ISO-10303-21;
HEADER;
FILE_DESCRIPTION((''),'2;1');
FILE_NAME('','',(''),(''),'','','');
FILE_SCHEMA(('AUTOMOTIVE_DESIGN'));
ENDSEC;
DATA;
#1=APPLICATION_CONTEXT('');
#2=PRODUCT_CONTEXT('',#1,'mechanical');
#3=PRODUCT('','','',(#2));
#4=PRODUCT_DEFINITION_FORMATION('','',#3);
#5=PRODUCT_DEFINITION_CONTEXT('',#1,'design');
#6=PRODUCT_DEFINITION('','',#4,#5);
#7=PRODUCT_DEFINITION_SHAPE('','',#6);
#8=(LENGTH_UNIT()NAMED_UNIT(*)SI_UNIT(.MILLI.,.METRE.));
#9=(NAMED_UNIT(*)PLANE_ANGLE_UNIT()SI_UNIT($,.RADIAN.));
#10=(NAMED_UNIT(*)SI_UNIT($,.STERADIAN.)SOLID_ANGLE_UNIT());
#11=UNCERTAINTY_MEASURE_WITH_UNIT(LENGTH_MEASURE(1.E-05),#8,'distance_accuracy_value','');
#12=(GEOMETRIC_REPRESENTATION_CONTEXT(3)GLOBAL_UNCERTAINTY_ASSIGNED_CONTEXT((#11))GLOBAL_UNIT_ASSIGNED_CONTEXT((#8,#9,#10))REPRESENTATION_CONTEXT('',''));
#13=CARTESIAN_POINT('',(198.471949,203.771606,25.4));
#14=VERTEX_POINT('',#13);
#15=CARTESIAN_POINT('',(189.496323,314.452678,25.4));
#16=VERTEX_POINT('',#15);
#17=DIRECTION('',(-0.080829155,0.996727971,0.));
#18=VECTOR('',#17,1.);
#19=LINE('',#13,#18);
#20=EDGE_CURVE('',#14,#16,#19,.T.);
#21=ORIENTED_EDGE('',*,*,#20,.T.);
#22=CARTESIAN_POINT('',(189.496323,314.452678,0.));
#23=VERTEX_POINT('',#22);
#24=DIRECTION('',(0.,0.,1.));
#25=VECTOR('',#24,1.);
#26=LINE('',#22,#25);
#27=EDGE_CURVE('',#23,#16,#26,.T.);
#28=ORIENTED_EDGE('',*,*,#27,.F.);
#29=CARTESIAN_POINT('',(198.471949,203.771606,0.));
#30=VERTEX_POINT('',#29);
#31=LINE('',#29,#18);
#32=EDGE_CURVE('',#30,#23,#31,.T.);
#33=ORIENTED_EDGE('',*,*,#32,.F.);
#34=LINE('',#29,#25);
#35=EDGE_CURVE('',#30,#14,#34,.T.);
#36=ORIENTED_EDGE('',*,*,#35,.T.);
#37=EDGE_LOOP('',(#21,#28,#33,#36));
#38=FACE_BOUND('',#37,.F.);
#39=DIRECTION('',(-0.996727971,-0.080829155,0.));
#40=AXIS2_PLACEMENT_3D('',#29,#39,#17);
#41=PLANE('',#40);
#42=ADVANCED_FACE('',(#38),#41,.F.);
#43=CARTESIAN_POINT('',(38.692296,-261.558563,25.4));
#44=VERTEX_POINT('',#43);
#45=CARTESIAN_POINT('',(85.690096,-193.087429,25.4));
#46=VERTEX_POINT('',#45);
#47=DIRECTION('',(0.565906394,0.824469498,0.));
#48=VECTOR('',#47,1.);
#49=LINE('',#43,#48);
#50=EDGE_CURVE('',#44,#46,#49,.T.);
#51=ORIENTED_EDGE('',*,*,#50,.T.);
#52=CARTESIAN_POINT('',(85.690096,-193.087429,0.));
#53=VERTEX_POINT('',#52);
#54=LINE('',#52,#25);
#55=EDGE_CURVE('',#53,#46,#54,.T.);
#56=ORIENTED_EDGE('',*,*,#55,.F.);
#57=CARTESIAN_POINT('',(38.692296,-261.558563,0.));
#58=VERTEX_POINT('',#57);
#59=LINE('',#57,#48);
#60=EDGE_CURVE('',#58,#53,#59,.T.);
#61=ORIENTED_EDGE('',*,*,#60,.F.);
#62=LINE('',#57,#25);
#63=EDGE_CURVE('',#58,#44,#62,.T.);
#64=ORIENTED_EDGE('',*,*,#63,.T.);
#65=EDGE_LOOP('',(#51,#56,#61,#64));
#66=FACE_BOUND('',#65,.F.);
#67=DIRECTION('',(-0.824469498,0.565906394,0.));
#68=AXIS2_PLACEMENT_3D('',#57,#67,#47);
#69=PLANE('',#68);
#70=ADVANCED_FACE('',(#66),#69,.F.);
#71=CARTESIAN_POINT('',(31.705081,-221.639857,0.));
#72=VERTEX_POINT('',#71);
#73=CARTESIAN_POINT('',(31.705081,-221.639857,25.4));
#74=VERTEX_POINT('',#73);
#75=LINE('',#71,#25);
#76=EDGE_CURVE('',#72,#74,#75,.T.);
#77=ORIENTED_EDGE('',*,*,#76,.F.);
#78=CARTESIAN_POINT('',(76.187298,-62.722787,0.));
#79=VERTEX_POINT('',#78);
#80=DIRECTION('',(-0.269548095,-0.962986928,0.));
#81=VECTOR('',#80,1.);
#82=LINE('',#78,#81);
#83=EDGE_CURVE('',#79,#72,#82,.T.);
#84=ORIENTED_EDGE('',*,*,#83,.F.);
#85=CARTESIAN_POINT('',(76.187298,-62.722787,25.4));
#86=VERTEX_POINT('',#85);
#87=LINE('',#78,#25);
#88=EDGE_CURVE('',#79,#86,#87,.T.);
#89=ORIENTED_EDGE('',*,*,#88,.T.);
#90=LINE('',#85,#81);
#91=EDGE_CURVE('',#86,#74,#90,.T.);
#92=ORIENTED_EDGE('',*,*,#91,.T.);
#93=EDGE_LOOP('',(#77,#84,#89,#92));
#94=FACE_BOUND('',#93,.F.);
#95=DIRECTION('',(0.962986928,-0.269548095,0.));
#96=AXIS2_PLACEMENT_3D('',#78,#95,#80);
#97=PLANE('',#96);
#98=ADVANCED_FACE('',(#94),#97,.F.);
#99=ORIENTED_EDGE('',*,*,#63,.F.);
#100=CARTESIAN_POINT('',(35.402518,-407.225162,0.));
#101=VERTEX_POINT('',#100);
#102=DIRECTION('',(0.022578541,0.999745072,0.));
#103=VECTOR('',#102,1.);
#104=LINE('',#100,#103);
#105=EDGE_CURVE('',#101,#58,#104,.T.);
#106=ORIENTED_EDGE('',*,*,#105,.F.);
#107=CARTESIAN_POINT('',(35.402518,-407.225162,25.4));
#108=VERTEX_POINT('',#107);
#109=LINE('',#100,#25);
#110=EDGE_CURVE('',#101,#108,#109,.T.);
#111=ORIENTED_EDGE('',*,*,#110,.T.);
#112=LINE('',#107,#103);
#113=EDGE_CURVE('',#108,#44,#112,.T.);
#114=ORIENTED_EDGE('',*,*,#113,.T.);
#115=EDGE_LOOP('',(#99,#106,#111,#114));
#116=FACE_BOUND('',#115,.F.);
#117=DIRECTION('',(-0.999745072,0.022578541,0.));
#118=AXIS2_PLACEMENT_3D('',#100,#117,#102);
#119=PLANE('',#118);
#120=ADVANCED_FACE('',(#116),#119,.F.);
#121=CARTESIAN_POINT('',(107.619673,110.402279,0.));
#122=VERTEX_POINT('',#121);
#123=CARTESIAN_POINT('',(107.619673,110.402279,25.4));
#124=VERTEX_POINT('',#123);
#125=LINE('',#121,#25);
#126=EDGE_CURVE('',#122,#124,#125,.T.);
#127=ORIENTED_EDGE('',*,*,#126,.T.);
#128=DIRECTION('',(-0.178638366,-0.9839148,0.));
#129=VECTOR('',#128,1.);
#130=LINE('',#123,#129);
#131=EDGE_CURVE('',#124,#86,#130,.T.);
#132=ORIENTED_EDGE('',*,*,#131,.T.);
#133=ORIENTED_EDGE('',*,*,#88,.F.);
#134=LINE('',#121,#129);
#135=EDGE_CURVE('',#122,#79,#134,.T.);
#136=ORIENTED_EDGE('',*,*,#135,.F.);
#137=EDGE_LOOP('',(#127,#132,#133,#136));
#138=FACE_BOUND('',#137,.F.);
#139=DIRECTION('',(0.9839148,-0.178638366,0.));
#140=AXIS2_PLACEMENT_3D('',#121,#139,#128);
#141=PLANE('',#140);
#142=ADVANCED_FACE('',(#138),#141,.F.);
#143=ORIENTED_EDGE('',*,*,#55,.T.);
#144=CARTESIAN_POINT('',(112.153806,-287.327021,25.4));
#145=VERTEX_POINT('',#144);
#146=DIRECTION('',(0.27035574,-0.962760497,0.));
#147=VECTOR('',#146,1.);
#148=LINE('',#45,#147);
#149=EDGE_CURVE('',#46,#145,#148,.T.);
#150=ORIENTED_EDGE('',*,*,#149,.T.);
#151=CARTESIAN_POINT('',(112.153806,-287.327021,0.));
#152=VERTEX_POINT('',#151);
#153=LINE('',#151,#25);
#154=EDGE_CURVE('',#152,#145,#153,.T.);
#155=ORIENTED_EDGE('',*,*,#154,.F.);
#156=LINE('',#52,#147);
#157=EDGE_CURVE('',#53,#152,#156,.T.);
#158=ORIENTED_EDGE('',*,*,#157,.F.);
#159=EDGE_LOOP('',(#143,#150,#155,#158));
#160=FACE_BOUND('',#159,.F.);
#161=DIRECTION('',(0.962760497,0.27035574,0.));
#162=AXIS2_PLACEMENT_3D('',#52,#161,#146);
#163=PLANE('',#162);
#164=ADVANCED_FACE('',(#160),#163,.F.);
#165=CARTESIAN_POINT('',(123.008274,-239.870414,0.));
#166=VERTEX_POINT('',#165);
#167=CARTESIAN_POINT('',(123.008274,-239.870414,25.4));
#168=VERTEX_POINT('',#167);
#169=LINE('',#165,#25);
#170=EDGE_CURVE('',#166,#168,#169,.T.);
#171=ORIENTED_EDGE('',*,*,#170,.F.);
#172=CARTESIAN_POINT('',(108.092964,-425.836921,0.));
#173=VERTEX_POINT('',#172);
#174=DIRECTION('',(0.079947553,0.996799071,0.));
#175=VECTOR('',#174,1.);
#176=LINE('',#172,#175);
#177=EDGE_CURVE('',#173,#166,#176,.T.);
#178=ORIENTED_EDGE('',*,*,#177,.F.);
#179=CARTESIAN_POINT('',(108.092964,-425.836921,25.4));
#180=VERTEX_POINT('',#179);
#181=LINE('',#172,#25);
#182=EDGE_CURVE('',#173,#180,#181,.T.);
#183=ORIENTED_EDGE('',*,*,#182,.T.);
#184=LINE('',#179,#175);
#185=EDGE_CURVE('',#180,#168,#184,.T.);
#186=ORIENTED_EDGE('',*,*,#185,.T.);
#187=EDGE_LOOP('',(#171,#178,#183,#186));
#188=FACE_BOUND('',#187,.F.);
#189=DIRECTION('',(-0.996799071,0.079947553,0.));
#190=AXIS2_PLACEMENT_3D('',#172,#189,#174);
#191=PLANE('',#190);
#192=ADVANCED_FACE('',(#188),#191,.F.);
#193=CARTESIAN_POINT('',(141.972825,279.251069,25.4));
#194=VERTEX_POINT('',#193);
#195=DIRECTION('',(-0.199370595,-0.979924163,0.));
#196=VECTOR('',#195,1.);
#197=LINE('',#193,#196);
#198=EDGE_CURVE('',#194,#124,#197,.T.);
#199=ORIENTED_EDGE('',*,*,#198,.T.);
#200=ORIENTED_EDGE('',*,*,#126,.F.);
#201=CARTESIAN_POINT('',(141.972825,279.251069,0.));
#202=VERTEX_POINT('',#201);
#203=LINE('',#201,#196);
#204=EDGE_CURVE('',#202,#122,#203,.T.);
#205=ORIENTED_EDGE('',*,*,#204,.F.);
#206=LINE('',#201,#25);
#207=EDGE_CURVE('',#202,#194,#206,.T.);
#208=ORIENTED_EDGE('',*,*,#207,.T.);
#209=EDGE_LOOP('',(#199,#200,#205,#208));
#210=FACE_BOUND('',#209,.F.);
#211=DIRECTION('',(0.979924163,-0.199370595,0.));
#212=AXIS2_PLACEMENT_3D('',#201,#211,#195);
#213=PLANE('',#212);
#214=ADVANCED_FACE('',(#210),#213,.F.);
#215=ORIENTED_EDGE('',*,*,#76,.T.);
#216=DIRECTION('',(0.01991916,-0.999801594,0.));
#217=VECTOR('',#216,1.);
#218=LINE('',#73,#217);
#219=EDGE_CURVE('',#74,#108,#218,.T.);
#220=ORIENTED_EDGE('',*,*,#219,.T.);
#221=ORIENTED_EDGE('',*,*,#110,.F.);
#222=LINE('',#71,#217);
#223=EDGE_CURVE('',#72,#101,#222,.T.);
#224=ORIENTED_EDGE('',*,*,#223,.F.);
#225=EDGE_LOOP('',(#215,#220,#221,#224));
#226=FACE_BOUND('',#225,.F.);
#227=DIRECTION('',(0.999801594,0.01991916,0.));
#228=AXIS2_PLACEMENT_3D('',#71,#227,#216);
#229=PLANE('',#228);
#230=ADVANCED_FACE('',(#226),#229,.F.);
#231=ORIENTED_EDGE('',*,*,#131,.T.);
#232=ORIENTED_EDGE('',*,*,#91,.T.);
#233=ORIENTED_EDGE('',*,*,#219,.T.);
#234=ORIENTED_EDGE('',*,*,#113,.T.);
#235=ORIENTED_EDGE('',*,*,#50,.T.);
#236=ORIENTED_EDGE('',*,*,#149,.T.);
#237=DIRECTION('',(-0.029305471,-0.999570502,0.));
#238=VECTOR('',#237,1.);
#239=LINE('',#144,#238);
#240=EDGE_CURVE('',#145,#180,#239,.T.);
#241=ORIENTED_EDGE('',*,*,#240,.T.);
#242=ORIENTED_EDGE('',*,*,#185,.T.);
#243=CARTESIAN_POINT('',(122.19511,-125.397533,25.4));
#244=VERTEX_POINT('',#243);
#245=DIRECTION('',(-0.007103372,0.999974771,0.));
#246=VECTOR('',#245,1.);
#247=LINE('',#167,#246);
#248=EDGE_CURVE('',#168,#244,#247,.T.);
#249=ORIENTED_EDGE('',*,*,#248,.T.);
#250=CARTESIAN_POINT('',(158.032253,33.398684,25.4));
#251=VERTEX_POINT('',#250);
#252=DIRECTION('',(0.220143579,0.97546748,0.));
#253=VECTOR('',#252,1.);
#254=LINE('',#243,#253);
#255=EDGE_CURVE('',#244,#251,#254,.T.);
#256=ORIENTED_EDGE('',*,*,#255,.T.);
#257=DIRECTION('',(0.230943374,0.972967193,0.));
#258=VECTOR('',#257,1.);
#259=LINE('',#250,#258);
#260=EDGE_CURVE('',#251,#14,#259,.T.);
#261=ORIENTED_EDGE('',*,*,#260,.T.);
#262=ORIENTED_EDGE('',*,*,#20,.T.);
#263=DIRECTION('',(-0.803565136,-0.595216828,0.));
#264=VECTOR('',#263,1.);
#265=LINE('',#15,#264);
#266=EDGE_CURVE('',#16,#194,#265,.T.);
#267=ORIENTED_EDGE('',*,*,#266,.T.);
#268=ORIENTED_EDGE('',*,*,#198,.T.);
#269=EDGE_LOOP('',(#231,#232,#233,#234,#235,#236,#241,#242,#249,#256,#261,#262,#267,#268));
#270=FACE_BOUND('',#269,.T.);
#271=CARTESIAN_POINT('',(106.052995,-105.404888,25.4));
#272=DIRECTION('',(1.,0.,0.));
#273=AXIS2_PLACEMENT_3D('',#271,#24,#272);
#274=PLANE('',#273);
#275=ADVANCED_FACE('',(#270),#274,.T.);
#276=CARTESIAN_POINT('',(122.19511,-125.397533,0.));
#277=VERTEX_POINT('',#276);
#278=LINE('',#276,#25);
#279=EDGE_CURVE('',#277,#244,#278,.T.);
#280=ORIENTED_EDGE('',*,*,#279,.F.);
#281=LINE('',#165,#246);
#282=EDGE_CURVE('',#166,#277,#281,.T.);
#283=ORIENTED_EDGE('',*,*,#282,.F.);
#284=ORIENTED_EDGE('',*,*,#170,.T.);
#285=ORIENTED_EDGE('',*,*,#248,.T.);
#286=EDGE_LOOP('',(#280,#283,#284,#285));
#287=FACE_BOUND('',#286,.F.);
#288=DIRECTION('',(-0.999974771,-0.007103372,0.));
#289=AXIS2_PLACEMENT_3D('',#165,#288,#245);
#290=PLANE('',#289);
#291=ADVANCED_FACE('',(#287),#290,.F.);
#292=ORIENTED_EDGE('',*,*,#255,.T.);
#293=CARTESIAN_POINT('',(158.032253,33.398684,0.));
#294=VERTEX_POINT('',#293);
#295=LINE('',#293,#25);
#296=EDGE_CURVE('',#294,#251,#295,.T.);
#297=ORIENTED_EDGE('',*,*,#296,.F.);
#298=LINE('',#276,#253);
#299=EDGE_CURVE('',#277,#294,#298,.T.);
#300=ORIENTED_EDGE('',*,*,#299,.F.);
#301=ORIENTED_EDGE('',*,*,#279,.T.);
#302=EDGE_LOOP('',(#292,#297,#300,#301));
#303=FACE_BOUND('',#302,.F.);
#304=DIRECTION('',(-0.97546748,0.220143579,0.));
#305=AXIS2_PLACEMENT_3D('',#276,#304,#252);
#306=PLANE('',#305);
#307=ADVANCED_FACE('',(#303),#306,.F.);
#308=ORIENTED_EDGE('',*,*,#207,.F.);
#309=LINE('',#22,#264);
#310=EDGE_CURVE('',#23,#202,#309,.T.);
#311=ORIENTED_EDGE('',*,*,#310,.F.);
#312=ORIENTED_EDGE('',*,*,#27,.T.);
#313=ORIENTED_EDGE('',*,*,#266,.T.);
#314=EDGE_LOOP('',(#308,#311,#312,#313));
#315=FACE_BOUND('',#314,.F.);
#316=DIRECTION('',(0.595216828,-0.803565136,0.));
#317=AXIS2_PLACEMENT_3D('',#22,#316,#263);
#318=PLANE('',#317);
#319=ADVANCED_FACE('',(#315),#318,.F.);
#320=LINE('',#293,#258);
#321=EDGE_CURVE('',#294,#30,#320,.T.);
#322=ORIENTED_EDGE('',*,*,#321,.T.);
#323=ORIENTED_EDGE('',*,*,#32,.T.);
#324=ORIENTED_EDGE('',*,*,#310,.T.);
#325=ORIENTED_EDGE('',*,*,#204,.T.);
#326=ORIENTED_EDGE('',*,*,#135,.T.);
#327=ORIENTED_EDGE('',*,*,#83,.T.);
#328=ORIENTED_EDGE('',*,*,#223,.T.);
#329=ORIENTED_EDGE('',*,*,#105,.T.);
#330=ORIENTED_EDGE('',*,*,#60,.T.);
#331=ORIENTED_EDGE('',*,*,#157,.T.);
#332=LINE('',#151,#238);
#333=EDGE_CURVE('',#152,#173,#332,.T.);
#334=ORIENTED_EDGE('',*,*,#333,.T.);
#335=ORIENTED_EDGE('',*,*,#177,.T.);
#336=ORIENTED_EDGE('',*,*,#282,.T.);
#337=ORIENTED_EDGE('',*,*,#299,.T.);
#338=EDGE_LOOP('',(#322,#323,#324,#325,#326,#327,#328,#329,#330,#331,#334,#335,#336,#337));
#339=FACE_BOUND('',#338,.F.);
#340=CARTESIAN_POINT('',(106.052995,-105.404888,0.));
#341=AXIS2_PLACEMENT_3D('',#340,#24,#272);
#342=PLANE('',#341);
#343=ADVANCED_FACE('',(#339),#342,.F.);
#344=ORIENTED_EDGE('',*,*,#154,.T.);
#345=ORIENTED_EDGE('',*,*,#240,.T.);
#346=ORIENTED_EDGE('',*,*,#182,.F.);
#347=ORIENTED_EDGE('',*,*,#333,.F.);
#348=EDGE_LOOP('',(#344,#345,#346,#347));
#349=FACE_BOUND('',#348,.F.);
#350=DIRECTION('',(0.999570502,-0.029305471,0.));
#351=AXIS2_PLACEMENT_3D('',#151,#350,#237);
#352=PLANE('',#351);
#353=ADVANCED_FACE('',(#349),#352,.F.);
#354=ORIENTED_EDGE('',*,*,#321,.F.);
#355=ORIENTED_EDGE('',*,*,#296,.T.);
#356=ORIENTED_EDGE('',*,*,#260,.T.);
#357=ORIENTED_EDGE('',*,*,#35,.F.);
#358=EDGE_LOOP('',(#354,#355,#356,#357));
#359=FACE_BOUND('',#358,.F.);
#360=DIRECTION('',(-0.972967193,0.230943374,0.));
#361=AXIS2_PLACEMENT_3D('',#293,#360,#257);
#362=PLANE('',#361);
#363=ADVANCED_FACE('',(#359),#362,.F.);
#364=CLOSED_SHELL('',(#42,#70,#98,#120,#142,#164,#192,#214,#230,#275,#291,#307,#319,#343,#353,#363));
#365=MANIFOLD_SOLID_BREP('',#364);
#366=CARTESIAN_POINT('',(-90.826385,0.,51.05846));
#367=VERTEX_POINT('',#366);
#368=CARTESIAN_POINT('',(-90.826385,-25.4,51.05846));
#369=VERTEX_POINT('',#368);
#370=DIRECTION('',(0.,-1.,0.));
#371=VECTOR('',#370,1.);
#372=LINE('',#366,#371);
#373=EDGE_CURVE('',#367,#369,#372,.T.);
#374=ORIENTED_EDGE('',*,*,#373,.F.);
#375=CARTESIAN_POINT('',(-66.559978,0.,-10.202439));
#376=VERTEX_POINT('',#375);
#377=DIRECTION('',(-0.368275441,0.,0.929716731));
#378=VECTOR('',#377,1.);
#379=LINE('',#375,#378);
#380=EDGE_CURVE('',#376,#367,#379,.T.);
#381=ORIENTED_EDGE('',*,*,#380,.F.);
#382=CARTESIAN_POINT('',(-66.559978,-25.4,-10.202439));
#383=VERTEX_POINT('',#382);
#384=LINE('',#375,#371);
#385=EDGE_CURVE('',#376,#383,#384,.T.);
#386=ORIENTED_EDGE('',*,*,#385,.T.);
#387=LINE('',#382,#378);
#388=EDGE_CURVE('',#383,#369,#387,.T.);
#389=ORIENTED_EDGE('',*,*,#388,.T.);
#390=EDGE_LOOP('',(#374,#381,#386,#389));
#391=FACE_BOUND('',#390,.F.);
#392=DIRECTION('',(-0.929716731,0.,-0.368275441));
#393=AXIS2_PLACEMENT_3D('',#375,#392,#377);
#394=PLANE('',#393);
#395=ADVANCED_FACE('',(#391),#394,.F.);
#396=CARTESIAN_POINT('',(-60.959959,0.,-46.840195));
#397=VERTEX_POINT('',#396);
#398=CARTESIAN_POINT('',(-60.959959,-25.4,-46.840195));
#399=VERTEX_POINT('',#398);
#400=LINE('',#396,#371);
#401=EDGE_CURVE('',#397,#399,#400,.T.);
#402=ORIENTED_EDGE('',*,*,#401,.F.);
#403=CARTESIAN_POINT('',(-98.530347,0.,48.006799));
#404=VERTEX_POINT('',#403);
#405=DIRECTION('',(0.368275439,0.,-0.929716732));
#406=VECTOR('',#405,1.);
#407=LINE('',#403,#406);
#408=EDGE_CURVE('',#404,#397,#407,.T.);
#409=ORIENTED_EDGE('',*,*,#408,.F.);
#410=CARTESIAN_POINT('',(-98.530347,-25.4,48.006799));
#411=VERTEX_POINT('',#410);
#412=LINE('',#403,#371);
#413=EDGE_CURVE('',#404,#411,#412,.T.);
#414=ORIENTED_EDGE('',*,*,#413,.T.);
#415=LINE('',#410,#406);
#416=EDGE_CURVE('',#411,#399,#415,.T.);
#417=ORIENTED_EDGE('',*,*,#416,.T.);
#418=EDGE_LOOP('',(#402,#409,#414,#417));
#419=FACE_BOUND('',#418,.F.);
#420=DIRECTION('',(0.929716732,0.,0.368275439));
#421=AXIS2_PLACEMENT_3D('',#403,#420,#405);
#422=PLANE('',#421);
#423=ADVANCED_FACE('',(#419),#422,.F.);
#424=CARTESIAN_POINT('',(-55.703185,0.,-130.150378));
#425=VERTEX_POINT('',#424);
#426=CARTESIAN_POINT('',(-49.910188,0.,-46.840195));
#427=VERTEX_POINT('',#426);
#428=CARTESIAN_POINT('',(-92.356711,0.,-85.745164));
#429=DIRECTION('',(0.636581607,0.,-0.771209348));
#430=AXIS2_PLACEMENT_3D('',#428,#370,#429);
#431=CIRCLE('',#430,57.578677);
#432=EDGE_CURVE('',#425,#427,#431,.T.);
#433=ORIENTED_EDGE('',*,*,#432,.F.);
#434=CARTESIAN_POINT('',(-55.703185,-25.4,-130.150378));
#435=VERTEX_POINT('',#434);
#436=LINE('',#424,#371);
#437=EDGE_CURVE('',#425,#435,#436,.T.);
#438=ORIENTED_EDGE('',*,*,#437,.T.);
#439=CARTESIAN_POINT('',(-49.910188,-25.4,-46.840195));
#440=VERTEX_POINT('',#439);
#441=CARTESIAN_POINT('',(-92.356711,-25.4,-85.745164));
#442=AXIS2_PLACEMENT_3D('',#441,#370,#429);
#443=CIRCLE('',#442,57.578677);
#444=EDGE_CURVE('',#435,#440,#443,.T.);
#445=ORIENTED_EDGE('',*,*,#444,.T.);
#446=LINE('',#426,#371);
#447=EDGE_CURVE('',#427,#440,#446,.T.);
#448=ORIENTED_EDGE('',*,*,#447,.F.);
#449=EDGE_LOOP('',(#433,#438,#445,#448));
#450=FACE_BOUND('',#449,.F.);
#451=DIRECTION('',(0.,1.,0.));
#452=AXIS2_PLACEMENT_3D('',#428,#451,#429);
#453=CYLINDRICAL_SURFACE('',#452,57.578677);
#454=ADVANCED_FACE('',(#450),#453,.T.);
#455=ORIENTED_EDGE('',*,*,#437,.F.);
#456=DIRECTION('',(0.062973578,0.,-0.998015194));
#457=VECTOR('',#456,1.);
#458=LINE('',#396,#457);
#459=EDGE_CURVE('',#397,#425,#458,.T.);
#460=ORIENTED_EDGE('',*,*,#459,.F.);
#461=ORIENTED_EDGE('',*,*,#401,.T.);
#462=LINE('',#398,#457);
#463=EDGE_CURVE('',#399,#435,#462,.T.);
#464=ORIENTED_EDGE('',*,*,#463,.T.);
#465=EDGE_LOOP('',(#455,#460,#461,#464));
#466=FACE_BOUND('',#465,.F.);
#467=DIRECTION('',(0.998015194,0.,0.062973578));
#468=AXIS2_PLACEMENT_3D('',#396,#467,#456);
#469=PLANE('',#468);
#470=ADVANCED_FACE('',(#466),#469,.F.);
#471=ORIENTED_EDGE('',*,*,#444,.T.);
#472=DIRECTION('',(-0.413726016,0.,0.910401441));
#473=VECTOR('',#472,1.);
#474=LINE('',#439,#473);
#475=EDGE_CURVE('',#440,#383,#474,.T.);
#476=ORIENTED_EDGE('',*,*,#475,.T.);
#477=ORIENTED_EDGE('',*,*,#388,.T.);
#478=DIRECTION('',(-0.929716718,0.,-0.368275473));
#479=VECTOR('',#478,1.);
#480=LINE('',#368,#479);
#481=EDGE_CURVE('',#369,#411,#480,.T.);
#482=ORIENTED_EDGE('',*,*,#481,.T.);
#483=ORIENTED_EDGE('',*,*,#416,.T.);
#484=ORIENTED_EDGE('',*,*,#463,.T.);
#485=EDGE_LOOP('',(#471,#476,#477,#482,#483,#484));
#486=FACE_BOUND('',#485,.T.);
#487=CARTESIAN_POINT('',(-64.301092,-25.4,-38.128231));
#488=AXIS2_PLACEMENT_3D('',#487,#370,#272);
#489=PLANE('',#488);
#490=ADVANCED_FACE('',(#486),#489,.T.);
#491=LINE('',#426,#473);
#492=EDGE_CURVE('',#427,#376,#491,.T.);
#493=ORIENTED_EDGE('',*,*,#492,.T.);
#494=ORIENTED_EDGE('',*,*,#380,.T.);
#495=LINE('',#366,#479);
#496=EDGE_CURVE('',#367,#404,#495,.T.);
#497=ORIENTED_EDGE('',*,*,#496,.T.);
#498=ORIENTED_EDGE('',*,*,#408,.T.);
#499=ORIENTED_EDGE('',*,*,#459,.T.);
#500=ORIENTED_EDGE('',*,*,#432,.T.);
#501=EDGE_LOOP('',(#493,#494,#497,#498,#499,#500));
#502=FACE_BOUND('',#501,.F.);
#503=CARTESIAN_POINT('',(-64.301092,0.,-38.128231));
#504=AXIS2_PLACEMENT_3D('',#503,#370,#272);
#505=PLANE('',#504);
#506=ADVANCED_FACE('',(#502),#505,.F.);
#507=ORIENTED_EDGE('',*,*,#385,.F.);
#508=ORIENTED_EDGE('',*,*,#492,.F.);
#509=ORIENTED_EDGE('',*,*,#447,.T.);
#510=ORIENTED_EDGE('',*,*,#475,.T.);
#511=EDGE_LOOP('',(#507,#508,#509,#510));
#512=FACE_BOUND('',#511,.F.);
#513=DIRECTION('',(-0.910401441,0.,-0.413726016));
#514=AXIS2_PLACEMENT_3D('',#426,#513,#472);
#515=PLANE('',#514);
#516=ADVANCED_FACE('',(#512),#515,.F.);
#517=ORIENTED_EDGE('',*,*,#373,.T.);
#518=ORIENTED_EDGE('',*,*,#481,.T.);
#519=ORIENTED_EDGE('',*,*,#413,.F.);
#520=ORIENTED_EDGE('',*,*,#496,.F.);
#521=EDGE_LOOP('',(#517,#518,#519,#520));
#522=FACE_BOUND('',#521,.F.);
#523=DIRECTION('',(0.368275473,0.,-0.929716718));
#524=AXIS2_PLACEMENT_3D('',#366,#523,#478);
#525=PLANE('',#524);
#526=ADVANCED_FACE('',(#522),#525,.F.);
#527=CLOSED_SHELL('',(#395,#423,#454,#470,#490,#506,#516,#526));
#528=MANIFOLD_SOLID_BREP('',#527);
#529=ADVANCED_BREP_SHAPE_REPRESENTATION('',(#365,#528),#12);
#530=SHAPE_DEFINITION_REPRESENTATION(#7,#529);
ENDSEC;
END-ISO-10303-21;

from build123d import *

# Parameters (mm, degrees)
F1_DEPTH = 25.4
F3_DEPTH = 25.4


with BuildPart() as f1:
    # F0 (on Top) → F1 (new body)
    with BuildSketch(Plane.XY):
        Polygon((123.008274, -239.870414), (122.19511, -125.397533), (158.032253, 33.398684), (198.471949, 203.771606), (189.496323, 314.452678), (141.972825, 279.251069), (107.619673, 110.402279), (76.187298, -62.722787), (31.705081, -221.639857), (35.402518, -407.225162), (38.692296, -261.558563), (85.690096, -193.087429), (112.153806, -287.327021), (108.092964, -425.836921), align=None)
    extrude(amount=F1_DEPTH)


with BuildPart() as f3:
    # F2 (on Front) → F3 (new body)
    with BuildSketch(Plane.XZ):
        with BuildLine():
            Line((-66.559978, -10.202439), (-90.826385, 51.05846))
            Line((-90.826385, 51.05846), (-98.530347, 48.006799))
            Line((-98.530347, 48.006799), (-60.959959, -46.840195))
            Line((-60.959959, -46.840195), (-55.703185, -130.150378))
            ThreePointArc((-55.703185, -130.150378), (-34.916733, -89.739269), (-49.910188, -46.840195))
            Line((-49.910188, -46.840195), (-66.559978, -10.202439))
        make_face()
    extrude(amount=F3_DEPTH)


solid = Compound([f1.part, f3.part])
